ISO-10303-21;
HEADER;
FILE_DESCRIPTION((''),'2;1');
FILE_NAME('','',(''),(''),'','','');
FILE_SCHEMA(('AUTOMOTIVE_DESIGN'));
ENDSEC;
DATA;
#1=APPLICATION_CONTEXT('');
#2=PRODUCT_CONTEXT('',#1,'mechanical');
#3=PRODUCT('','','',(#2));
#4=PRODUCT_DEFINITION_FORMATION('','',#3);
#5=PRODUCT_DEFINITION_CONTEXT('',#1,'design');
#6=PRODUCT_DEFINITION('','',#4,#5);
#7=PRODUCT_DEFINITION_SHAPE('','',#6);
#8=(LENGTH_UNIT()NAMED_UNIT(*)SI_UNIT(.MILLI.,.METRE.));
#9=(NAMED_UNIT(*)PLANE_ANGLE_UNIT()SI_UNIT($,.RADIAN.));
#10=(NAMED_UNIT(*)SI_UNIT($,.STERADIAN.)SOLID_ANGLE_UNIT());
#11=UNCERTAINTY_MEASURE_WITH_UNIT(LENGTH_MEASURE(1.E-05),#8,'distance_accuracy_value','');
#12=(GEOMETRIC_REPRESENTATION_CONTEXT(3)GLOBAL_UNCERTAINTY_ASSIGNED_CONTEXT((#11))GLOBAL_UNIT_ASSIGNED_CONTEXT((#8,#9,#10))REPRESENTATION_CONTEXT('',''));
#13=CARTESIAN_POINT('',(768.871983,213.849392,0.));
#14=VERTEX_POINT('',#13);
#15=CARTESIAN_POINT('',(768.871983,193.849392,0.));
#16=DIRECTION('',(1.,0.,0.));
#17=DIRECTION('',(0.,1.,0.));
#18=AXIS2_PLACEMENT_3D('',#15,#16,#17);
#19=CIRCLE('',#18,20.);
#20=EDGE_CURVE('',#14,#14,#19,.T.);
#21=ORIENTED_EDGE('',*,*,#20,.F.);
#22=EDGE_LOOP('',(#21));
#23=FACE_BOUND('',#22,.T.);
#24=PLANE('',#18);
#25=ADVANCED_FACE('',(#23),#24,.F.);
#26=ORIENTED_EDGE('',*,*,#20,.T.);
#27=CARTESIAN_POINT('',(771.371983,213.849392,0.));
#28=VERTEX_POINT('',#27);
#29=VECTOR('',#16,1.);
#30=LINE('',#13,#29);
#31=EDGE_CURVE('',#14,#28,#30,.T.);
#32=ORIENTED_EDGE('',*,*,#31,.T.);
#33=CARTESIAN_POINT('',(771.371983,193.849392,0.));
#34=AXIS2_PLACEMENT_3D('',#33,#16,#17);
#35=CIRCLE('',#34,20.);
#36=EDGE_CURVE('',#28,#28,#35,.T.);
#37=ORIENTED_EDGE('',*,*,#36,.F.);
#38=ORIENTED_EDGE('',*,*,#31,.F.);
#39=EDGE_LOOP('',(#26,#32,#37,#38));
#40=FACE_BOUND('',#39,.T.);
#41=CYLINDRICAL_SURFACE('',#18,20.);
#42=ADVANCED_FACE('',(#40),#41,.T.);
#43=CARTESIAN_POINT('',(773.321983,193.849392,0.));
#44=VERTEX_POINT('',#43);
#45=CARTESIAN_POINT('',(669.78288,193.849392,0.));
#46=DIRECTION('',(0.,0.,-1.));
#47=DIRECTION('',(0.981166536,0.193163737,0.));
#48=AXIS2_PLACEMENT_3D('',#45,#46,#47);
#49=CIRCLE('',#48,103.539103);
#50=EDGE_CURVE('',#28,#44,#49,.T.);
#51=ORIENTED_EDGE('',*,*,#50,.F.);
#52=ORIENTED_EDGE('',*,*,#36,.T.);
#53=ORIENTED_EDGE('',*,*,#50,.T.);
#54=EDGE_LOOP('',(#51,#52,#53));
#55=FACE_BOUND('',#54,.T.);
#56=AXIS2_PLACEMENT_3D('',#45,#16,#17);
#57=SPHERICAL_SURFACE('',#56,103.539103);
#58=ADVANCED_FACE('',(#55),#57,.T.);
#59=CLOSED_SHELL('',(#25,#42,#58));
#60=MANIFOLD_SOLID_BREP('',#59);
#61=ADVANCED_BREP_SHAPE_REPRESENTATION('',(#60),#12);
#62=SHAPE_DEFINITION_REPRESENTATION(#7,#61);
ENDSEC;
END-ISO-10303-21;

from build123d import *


with BuildPart() as part:
    # 草图1 → 旋转1 (revolve)
    with BuildSketch(Plane.XY):
        with BuildLine():
            Line((768.871982817, 193.849391549), (768.871982817, 213.849391549))
            Line((768.871982817, 213.849391549), (771.371982817, 213.849391549))
            ThreePointArc((771.371982817, 213.849391549), (772.833329717, 203.896810372), (773.321982817, 193.849391549))
            Line((773.321982817, 193.849391549), (768.871982817, 193.849391549))
        make_face()
    revolve(axis=Axis((764.177439637, 193.849391549, 0), (1, 0, 0)))


solid = part.part
